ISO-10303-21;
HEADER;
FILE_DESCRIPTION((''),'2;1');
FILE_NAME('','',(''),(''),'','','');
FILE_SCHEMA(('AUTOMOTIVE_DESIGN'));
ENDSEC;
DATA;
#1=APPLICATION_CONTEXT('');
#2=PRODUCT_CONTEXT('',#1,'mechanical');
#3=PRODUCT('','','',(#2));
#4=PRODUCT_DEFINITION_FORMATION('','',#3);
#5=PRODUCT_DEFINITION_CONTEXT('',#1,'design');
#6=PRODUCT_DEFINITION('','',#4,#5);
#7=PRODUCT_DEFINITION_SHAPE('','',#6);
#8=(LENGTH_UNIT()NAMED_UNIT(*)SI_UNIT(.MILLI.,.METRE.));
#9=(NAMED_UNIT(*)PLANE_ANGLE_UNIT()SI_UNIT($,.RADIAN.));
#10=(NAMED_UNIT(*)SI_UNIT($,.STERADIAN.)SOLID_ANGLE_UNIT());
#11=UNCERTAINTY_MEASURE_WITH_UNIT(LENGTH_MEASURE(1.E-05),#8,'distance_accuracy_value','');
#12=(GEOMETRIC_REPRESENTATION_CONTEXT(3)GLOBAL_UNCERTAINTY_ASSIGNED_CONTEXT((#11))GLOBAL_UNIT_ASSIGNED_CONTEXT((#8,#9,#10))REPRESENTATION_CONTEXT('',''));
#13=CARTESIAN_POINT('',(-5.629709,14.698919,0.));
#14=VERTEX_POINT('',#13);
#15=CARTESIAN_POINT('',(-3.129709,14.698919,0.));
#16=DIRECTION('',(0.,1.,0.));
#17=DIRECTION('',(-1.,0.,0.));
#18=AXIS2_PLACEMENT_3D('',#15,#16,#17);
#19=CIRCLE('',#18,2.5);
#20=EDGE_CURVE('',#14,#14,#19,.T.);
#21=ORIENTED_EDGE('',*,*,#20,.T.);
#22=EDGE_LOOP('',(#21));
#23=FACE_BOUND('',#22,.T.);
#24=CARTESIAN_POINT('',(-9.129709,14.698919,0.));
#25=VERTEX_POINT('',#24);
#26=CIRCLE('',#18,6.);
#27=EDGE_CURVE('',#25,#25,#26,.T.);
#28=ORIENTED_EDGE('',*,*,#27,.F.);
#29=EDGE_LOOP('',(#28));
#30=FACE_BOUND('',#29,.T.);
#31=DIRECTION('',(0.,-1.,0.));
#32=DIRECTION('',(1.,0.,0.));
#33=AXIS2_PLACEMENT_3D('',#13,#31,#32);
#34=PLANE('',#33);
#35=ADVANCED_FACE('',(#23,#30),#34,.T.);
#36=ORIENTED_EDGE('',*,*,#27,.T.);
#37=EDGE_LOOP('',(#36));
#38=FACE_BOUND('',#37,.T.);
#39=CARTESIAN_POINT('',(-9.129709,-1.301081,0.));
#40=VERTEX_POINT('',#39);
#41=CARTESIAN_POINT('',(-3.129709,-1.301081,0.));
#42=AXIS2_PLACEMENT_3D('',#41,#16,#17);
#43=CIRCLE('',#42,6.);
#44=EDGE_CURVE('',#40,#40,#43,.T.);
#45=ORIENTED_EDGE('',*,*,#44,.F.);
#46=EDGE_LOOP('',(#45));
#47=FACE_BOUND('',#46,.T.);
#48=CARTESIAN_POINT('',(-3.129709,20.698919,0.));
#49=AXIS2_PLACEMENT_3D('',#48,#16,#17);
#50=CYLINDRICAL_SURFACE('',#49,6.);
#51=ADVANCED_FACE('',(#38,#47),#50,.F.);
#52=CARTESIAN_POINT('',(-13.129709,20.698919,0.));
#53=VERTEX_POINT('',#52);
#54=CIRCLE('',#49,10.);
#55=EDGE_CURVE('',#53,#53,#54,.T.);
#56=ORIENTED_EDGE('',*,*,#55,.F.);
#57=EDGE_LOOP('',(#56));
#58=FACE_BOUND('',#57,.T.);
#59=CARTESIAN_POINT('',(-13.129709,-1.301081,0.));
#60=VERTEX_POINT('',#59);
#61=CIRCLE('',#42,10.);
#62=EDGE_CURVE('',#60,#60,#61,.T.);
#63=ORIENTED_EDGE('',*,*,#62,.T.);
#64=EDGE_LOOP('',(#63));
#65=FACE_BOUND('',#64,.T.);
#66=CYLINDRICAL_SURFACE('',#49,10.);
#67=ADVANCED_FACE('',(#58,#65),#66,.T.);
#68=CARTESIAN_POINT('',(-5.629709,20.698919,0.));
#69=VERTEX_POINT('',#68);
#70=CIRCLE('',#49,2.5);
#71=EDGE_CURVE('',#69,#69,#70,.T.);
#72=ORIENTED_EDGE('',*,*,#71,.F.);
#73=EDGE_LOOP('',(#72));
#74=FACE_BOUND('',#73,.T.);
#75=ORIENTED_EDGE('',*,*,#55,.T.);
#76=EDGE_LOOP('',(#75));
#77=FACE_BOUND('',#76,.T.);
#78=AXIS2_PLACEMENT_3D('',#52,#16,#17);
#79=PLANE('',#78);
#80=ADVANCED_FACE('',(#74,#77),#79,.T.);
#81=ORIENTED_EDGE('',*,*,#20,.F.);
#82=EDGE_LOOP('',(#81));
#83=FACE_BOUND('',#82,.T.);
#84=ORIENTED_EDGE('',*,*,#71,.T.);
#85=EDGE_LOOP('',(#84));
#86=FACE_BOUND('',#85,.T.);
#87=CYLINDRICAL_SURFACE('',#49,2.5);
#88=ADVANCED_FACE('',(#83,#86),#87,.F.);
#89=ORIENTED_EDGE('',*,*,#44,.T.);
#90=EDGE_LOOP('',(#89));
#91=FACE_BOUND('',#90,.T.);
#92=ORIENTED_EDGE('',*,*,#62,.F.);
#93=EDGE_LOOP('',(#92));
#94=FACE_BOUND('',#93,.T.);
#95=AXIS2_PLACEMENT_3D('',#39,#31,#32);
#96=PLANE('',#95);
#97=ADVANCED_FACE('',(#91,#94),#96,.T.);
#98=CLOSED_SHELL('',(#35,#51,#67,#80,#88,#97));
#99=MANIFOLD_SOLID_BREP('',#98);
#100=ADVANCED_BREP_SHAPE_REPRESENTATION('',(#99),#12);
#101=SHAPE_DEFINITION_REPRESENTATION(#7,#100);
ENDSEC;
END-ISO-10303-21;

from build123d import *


with BuildPart() as part:
    # 草图1 → 旋转2 (revolve)
    with BuildSketch(Plane.XY):
        Polygon((-13.129708863, 20.698918857), (-5.629708863, 20.698918857), (-5.629708863, 14.698918857), (-9.129708863, 14.698918857), (-9.129708863, -1.301081143), (-13.129708863, -1.301081143), align=None)
    revolve(axis=Axis((-3.129708863, 20.698918857, 0), (0, -1, 0)))


solid = part.part
